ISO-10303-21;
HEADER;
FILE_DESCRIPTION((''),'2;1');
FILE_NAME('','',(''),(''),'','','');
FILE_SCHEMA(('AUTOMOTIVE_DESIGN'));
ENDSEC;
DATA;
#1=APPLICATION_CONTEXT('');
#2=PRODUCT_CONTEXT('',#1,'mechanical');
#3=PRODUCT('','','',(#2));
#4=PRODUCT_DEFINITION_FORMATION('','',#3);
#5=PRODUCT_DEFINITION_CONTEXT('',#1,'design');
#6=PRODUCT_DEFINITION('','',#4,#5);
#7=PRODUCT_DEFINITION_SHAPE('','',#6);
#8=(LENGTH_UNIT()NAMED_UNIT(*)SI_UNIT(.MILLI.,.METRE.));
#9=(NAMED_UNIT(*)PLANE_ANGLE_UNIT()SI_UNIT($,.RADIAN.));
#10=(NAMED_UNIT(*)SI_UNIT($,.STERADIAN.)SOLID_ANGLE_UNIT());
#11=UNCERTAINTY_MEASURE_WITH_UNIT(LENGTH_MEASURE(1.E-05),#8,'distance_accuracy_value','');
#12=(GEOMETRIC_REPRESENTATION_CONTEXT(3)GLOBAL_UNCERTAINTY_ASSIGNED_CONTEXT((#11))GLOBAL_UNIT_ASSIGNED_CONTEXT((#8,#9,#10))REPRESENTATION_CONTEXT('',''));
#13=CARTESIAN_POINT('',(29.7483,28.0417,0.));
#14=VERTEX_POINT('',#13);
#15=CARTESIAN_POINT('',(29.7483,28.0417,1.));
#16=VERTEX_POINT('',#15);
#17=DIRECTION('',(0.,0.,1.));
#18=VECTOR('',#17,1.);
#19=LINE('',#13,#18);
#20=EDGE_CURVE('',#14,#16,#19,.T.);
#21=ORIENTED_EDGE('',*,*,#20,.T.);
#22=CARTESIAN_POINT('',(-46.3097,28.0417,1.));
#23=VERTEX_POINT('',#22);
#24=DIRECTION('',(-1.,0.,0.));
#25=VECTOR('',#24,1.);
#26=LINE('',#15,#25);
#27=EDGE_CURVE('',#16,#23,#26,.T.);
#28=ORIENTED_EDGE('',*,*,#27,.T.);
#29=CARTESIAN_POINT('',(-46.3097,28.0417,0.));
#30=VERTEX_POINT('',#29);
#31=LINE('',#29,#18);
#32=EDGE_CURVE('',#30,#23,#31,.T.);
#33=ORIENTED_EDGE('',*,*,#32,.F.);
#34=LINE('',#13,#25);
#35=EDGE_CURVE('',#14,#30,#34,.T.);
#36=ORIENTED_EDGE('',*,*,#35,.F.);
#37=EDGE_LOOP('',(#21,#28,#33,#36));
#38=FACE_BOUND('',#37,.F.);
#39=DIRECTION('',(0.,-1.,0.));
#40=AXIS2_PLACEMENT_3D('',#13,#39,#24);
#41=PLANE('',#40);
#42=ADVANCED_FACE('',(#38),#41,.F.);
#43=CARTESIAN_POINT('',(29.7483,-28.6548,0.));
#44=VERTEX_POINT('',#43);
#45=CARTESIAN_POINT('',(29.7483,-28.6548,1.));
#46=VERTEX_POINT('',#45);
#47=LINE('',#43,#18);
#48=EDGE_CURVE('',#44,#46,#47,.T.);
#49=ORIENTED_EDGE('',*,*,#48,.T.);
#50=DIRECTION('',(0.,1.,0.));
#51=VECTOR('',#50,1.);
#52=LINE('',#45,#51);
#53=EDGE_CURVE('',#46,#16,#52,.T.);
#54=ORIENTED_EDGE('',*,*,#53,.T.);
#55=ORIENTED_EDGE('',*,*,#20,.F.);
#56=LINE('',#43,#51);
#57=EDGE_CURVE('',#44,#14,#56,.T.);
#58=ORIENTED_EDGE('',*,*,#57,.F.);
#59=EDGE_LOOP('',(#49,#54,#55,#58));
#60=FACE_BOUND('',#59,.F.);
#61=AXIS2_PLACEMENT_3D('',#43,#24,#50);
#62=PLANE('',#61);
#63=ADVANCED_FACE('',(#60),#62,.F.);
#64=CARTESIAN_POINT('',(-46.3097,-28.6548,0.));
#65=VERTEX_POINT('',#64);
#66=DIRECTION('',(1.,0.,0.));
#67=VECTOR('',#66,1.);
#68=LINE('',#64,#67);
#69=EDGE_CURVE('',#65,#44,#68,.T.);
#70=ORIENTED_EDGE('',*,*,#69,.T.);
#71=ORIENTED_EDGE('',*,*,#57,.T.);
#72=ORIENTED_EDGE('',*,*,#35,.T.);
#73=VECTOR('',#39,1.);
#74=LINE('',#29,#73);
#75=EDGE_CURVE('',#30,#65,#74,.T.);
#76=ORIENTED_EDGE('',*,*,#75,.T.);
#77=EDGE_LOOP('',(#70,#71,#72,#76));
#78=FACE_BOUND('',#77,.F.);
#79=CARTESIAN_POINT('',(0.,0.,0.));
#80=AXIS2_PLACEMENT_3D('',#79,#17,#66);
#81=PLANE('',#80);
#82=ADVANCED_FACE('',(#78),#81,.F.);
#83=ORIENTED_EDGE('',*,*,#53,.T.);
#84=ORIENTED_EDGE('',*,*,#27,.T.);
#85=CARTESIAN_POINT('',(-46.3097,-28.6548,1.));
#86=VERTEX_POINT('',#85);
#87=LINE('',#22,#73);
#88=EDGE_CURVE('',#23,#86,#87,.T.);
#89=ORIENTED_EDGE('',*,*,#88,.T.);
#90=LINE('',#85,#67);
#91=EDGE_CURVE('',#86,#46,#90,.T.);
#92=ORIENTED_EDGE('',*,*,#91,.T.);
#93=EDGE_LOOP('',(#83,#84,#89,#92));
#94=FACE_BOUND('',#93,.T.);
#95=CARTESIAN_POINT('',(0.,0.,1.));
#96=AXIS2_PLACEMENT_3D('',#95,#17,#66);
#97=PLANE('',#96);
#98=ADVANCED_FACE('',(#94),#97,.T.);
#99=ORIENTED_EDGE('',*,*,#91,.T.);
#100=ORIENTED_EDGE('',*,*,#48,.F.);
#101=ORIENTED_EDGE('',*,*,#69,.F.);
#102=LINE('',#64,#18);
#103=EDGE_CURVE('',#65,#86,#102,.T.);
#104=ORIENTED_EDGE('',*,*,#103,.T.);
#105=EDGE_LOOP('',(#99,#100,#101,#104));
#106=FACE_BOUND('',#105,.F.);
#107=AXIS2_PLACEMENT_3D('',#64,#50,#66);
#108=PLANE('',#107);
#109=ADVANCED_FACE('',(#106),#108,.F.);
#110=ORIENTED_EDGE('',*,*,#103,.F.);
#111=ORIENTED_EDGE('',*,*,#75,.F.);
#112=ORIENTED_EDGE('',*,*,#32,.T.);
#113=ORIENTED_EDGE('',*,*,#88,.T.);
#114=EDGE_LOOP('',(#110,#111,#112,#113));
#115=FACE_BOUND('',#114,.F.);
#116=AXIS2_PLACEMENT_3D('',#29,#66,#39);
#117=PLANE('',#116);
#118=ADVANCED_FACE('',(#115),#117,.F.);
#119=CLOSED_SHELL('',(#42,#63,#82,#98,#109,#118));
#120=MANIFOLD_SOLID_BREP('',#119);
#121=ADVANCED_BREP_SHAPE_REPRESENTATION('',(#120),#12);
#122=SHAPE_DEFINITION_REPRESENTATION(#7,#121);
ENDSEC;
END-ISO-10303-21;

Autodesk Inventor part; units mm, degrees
ref_plane "YZ Plane" through (0, 0, 0) normal (1, 0, 0) x (0, 1, 0)
ref_plane "XZ Plane" through (0, 0, 0) normal (0, 1, 0) x (-1, 0, 0)
ref_plane "XY Plane" through (0, 0, 0) normal (0, 0, 1) x (1, 0, 0)
sketch "Sketch1" plane through (0, 0, 0) normal (0, 0, 1) x (1, 0, 0)
  line L0 (-46.3097, -28.6548) -> (29.7483, -28.6548)
  line L1 (29.7483, -28.6548) -> (29.7483, 28.0417)
  line L2 (29.7483, 28.0417) -> (-46.3097, 28.0417)
  line L3 (-46.3097, 28.0417) -> (-46.3097, -28.6548)
  point P0 (0, 0)
extrude "Extrusion1" add sketch "Sketch1" along normal blind 1
properties part number "LCD_panel_demo"
